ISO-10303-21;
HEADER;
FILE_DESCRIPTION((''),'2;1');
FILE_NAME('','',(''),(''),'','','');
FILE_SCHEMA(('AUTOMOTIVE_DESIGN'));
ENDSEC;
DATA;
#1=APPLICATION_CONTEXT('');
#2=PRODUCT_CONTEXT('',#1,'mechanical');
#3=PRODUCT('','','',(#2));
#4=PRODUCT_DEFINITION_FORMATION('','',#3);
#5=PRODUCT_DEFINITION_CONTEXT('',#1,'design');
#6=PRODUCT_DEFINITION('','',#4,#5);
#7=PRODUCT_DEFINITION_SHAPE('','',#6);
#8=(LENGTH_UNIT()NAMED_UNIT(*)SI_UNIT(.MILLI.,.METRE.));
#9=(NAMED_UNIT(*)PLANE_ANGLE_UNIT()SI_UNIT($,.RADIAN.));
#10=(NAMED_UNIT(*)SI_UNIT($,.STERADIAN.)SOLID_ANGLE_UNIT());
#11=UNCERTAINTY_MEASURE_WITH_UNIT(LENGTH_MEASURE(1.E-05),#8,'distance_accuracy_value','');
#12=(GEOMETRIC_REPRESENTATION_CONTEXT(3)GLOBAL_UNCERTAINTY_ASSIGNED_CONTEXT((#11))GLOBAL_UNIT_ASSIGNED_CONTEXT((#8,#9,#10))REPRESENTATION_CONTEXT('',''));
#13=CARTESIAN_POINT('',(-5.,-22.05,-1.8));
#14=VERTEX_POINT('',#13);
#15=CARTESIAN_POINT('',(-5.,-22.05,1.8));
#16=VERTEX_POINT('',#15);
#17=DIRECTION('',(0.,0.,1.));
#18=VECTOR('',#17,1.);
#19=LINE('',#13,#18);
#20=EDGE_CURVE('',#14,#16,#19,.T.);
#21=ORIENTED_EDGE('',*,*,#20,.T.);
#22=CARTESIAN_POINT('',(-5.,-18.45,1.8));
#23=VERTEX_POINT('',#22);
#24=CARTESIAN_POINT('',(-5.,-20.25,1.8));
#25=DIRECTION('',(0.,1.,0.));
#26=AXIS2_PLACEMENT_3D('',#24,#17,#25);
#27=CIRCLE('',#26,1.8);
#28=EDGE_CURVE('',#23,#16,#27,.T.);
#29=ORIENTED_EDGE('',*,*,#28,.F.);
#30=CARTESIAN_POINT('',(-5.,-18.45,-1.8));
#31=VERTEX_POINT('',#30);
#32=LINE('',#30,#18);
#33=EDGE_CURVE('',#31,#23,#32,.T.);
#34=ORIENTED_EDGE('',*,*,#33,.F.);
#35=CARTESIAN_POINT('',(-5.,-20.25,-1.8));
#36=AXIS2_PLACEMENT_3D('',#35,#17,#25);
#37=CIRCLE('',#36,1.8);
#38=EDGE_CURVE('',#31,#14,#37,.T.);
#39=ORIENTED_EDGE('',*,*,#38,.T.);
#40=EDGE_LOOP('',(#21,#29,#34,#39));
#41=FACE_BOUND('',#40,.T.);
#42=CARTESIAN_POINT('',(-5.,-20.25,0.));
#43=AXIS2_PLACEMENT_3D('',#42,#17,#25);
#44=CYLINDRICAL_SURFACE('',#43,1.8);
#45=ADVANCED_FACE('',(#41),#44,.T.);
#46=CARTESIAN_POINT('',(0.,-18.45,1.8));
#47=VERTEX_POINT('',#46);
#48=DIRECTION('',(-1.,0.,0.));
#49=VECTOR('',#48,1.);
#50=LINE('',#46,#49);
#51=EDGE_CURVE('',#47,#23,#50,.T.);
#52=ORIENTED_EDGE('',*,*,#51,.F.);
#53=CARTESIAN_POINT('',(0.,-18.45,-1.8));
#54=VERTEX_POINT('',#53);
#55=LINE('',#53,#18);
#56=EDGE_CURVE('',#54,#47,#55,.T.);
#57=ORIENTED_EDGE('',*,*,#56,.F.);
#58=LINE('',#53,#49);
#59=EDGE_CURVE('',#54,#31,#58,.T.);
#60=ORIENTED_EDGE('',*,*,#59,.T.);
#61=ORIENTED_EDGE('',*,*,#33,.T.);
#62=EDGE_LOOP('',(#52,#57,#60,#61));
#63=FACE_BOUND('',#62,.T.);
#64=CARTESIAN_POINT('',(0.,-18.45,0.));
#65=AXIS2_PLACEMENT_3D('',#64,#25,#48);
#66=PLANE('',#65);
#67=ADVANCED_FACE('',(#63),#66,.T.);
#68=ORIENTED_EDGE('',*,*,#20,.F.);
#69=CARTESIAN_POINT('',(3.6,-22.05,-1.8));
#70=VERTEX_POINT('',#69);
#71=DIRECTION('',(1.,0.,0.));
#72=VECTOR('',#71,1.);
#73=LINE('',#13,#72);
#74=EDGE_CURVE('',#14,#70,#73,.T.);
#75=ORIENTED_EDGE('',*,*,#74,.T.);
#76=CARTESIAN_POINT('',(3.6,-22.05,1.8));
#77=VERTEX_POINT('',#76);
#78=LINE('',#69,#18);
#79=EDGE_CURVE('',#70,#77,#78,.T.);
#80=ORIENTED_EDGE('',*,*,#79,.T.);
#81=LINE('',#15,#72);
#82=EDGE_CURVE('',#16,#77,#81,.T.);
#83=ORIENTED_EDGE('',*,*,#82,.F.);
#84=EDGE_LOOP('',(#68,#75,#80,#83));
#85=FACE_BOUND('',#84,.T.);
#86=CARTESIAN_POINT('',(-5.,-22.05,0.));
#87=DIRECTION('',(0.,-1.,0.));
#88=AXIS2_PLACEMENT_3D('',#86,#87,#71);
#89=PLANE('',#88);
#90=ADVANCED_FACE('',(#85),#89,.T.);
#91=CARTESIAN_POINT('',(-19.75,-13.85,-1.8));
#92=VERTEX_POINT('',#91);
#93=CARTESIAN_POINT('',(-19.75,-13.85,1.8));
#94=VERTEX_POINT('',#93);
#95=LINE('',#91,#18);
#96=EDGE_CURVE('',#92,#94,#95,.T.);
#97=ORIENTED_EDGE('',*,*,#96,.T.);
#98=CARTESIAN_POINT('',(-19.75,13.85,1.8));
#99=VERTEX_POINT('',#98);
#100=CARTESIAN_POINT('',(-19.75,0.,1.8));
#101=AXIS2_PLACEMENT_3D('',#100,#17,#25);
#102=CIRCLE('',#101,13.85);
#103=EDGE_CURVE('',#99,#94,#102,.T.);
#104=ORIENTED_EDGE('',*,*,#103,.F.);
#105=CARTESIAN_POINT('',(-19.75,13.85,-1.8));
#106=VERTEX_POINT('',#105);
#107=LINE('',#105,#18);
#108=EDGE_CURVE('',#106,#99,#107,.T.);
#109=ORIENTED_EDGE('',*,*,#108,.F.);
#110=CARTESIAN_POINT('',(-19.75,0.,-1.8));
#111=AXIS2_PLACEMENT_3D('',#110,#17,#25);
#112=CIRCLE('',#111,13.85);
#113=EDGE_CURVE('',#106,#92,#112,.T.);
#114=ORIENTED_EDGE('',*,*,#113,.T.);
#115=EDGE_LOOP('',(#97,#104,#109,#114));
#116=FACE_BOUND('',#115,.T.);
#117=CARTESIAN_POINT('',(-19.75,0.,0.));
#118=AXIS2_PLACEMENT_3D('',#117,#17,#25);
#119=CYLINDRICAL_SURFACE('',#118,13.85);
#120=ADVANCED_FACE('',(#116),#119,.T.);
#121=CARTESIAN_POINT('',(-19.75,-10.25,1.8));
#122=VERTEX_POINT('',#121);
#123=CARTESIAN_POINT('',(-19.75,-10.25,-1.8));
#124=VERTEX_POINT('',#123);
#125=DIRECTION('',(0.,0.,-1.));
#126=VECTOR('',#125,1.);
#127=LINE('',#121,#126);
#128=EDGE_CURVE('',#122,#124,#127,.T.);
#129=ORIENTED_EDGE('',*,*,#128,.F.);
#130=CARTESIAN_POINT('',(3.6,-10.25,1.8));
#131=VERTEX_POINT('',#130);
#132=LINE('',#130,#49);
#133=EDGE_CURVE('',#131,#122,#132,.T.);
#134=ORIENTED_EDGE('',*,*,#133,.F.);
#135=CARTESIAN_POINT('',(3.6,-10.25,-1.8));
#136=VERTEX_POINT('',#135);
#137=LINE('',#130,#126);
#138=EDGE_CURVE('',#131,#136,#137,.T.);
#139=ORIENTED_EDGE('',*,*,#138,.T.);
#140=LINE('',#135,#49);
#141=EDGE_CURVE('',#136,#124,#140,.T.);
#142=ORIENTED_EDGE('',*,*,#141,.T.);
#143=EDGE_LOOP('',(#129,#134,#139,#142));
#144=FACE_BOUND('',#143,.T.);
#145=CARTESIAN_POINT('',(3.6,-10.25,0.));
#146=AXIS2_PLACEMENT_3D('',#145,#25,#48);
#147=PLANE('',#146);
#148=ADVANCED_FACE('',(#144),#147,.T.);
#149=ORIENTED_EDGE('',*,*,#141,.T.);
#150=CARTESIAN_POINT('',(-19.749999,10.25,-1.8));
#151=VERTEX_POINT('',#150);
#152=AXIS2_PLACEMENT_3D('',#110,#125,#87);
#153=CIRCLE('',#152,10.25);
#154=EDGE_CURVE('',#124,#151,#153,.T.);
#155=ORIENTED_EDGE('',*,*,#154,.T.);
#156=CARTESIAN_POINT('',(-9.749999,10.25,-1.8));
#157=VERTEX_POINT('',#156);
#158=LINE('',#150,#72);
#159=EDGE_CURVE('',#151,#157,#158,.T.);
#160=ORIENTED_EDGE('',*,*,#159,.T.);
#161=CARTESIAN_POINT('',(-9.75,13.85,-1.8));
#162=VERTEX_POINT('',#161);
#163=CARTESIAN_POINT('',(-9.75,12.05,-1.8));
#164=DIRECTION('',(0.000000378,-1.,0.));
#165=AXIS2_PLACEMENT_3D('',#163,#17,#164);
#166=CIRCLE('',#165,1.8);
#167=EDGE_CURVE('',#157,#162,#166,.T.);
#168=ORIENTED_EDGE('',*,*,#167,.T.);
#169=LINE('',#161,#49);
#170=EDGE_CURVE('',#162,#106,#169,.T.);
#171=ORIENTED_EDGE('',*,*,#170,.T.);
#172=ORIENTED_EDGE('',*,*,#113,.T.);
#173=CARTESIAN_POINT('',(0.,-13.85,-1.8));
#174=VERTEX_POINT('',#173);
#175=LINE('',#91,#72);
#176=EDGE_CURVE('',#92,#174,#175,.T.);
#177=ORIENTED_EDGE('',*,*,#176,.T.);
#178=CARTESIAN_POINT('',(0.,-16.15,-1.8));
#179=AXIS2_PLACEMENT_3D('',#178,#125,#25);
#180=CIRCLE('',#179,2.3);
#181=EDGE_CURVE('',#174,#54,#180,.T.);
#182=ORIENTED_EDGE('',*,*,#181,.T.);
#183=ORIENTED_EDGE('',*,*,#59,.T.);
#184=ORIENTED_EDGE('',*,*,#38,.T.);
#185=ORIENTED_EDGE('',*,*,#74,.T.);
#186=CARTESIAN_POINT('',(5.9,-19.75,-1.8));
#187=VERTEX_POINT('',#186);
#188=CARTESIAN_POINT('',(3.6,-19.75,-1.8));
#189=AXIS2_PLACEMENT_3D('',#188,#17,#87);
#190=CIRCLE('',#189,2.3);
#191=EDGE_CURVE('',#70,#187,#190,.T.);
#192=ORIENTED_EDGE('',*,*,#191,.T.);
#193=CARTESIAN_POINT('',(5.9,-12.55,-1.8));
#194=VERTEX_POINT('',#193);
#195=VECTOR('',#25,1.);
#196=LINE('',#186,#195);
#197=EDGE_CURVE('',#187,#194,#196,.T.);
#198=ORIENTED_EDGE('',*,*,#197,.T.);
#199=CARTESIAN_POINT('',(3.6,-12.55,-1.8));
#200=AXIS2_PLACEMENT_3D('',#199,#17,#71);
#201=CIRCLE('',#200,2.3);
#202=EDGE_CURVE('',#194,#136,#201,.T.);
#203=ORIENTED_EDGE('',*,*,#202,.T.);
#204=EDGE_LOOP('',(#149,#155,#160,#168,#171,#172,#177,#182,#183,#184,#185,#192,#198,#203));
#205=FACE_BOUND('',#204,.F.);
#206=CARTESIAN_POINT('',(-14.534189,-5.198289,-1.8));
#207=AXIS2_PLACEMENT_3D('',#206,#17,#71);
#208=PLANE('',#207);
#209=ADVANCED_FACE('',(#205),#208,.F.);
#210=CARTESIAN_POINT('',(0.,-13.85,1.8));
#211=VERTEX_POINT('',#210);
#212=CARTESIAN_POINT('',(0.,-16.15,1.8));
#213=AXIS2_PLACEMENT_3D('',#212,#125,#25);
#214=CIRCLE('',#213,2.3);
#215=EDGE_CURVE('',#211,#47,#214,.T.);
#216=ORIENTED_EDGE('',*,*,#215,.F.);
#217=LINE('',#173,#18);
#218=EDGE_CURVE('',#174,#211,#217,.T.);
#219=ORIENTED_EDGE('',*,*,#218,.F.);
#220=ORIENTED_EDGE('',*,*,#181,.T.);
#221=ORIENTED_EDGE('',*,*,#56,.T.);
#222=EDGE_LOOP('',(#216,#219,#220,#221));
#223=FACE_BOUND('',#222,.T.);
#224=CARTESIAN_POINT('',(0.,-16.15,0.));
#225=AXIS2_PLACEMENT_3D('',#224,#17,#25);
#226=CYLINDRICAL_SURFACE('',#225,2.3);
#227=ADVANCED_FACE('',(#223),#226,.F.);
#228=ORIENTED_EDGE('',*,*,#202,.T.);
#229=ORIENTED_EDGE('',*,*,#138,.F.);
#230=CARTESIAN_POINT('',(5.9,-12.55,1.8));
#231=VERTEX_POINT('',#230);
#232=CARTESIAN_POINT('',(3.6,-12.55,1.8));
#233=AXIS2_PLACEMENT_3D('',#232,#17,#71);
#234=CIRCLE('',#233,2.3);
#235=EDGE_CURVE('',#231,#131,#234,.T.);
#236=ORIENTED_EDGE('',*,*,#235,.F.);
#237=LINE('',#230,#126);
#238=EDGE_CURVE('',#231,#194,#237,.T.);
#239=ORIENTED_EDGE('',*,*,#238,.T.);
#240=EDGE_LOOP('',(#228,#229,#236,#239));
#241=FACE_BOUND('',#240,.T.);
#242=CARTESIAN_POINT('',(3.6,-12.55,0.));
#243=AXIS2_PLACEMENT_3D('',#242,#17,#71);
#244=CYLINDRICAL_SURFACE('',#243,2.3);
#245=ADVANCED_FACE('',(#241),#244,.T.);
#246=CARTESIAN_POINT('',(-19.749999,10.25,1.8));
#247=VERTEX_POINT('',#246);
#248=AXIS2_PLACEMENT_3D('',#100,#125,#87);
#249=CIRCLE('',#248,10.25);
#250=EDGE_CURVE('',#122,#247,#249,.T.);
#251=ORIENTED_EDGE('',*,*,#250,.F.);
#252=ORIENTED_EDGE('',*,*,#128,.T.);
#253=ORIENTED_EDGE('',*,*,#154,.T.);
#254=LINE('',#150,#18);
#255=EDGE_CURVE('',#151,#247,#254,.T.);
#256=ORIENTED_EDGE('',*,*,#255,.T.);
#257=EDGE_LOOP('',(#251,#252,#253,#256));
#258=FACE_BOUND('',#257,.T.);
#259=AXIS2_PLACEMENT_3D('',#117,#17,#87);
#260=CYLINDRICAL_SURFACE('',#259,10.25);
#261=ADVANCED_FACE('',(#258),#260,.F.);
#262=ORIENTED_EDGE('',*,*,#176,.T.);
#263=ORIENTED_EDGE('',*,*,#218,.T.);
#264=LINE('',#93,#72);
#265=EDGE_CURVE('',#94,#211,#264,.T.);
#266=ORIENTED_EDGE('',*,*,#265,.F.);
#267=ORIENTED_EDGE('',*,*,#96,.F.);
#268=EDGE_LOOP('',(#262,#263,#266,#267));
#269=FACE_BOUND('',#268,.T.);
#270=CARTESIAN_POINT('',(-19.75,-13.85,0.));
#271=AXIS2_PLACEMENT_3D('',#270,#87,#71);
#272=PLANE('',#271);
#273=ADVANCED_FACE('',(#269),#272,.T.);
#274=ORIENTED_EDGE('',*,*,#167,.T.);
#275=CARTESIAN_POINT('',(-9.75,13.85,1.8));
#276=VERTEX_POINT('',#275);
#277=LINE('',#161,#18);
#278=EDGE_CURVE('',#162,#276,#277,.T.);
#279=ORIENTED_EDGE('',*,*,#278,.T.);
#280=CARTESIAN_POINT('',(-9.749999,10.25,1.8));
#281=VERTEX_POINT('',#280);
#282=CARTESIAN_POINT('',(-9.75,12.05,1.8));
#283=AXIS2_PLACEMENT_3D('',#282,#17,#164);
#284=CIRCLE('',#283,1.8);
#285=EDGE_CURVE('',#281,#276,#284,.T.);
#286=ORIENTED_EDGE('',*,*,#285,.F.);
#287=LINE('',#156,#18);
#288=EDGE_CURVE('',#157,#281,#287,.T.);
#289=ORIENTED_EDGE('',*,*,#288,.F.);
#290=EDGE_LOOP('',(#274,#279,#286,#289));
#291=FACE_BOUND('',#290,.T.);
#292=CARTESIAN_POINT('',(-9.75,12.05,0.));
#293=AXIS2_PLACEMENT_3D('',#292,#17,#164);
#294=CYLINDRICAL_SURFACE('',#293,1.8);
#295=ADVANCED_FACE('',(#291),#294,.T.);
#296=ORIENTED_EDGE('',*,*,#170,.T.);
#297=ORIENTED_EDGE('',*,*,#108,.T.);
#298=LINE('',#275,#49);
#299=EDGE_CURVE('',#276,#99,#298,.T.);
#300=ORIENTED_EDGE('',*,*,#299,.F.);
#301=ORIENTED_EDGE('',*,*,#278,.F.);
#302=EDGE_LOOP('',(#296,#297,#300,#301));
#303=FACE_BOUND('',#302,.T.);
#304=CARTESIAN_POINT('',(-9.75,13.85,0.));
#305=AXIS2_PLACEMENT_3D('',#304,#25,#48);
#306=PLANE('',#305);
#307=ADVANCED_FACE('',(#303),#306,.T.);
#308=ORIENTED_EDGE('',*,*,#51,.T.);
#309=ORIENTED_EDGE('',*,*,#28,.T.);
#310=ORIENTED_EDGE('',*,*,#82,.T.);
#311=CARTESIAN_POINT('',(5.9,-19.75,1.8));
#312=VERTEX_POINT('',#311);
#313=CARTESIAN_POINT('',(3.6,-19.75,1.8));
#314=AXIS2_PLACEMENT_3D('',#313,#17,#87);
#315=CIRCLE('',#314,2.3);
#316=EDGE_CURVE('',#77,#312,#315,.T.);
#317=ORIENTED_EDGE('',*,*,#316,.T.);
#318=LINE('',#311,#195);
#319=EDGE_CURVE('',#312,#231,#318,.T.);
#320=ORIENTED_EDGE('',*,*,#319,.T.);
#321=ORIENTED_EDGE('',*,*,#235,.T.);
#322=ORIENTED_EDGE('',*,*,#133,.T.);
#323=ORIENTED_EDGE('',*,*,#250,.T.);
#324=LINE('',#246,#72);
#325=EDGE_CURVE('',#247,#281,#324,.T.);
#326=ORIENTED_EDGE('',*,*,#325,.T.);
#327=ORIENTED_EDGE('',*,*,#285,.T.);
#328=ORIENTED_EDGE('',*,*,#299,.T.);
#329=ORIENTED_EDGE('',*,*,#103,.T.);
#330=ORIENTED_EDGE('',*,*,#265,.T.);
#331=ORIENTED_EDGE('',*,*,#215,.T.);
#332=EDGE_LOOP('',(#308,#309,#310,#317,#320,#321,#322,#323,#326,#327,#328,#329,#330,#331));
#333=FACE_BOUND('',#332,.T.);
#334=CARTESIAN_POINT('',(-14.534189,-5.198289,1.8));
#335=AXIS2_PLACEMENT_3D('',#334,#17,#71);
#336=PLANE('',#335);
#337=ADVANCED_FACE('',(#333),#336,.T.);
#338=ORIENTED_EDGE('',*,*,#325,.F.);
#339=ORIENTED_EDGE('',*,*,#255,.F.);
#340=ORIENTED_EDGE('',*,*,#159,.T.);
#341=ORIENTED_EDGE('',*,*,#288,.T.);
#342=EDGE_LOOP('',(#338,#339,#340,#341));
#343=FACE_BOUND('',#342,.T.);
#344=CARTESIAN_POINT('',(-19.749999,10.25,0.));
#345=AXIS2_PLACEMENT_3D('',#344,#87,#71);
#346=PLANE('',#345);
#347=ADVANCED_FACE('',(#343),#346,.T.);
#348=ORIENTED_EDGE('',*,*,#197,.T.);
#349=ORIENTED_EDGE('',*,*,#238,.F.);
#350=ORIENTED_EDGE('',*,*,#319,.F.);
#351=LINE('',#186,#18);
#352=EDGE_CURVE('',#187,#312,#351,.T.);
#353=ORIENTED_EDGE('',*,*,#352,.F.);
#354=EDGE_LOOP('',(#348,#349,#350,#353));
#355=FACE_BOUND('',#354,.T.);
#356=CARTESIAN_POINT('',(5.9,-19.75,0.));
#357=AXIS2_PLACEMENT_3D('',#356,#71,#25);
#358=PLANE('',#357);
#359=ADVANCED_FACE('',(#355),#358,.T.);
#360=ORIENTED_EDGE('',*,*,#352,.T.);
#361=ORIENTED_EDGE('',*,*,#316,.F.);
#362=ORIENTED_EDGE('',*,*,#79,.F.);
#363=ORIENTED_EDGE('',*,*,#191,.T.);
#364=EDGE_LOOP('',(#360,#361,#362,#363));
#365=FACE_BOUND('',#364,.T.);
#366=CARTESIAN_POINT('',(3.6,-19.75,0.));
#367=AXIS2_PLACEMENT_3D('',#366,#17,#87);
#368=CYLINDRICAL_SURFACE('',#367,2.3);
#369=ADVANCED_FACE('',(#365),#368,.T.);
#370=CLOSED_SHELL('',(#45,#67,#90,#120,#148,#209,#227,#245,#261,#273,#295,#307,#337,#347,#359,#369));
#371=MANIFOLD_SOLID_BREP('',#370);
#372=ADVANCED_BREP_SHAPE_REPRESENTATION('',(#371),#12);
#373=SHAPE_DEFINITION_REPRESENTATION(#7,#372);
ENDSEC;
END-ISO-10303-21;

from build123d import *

# Parameters (mm, degrees)
F2_DEPTH = 1.8


with BuildPart() as f2:
    # F1 (on Top) → F2 (new body, symmetric)
    with BuildSketch(Plane.XY):
        with BuildLine():
            ThreePointArc((-19.75, -10.25), (-30, 3.401e-07), (-19.7499993197, 10.25))
            Line((-19.7499993197, 10.25), (-9.7499993197, 10.25))
            ThreePointArc((-9.7499993197, 10.25), (-7.95, 12.0500003401), (-9.75, 13.85))
            Line((-9.75, 13.85), (-19.75, 13.85))
            ThreePointArc((-19.75, 13.85), (-33.6, 0), (-19.75, -13.85))
            Line((-19.75, -13.85), (0, -13.85))
            ThreePointArc((0, -13.85), (2.3, -16.15), (0, -18.45))
            Line((0, -18.45), (-5, -18.45))
            ThreePointArc((-5, -18.45), (-6.8, -20.25), (-5, -22.05))
            Line((-5, -22.05), (3.6, -22.05))
            ThreePointArc((3.6, -22.05), (5.2263455967, -21.3763455967), (5.9, -19.75))
            Line((5.9, -19.75), (5.9, -12.55))
            ThreePointArc((5.9, -12.55), (5.2263455967, -10.9236544033), (3.6, -10.25))
            Line((3.6, -10.25), (-19.75, -10.25))
        make_face()
    extrude(amount=F2_DEPTH, both=True)


solid = f2.part
